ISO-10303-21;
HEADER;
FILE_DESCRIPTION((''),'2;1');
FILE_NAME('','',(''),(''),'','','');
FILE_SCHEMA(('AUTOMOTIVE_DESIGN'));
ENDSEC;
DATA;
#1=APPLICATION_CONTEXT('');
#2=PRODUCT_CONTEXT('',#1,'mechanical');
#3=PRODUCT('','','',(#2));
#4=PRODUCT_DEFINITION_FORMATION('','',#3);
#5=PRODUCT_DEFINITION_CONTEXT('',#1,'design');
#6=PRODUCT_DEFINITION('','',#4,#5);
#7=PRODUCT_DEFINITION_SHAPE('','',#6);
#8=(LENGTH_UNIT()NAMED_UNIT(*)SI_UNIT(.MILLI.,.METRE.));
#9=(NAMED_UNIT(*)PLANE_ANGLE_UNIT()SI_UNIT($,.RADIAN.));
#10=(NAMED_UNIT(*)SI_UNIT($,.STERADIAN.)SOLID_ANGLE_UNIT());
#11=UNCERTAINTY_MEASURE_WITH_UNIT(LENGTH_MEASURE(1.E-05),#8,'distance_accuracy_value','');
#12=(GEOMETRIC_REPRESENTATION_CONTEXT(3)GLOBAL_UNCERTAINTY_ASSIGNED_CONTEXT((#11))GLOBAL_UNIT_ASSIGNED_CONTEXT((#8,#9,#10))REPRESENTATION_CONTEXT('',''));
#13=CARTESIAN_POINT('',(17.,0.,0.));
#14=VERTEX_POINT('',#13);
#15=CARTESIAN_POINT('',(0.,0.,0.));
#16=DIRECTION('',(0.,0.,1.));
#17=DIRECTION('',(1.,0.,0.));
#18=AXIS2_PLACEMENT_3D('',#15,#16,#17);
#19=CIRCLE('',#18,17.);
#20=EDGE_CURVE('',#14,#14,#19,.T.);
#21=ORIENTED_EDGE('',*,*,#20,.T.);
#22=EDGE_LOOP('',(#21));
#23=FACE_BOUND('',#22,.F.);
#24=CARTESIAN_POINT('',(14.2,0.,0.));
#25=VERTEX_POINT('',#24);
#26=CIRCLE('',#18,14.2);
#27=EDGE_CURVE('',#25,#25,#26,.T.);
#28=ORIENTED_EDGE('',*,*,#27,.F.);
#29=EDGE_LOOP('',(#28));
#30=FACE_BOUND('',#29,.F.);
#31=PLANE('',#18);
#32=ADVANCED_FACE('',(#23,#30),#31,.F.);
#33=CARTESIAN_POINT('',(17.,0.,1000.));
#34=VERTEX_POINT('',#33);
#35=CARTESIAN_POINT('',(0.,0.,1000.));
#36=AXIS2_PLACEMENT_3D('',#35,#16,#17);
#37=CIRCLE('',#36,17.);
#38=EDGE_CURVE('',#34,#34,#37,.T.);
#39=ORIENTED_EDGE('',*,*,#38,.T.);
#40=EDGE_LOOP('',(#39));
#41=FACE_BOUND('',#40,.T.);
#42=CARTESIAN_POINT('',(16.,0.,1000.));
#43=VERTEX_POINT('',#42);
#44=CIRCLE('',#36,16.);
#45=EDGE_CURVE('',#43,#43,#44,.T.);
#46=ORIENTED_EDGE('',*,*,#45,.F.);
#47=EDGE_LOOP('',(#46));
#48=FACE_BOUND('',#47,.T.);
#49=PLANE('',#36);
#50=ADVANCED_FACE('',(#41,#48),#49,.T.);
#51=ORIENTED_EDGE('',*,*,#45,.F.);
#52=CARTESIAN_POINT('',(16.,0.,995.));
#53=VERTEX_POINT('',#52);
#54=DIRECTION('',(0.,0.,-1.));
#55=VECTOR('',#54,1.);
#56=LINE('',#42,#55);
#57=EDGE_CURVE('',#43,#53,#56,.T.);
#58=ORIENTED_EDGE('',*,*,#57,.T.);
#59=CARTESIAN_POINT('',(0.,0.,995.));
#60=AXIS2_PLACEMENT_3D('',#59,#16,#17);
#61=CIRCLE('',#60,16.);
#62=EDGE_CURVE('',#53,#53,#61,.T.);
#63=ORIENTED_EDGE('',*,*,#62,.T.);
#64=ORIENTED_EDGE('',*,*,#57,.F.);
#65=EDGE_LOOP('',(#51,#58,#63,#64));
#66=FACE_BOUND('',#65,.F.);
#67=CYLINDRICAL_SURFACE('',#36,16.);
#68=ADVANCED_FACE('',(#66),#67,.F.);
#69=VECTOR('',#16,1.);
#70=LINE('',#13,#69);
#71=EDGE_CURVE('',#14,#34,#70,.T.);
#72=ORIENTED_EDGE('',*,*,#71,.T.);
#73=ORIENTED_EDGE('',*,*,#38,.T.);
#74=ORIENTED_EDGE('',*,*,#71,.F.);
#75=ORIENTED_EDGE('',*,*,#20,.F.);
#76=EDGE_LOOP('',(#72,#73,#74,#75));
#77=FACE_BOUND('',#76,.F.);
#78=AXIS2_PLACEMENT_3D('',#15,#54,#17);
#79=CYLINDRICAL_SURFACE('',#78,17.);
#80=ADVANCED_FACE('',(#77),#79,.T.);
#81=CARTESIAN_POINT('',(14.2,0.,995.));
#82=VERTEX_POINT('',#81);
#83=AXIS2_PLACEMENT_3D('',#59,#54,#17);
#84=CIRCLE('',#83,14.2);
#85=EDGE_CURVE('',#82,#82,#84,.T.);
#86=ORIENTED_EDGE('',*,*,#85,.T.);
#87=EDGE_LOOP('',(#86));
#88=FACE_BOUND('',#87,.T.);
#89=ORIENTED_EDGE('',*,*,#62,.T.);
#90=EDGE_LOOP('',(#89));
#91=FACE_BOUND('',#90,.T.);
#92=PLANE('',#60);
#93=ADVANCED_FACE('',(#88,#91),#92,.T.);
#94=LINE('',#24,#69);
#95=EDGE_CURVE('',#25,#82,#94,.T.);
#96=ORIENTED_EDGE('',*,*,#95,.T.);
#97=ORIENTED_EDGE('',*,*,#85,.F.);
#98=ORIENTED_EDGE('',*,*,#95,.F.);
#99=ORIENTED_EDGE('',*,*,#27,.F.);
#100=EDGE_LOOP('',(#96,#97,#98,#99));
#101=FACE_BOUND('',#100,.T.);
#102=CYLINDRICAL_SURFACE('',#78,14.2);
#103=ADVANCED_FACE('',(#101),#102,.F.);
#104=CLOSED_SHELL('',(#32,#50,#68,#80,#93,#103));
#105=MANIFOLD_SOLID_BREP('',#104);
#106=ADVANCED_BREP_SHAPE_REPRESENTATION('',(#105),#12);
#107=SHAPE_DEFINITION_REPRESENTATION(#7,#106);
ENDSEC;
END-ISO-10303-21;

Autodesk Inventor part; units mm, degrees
ref_plane "YZ Plane" through (0, 0, 0) normal (1, 0, 0) x (0, 1, 0)
ref_plane "XZ Plane" through (0, 0, 0) normal (0, 1, 0) x (-1, 0, 0)
ref_plane "XY Plane" through (0, 0, 0) normal (0, 0, 1) x (1, 0, 0)
sketch "スケッチ1" plane through (0, 0, 0) normal (0, 0, 1) x (1, 0, 0)
  circle A0 centre (0, 0) radius 17
  circle A1 centre (0, 0) radius 14.2
  dimension "d0" = 34
  dimension "d1" = 28.4
extrude "押し出し1" add sketch "スケッチ1" along normal blind 1000
sketch "スケッチ2" plane through (0, 0, 1000) normal (0, 0, 1) x (1, 0, 0)
  point P0 (0, 0)
sketch "スケッチ3" plane through (0, 0, 1000) normal (0, 0, 1) x (1, 0, 0)
  circle A0 centre (0, 0) radius 16
  dimension "d4" = 32
extrude "押し出し2" cut sketch "スケッチ3" against normal blind 5
properties part number "B_probe_pipe_5_for-non-bellows_1" material "ステンレス鋼"
